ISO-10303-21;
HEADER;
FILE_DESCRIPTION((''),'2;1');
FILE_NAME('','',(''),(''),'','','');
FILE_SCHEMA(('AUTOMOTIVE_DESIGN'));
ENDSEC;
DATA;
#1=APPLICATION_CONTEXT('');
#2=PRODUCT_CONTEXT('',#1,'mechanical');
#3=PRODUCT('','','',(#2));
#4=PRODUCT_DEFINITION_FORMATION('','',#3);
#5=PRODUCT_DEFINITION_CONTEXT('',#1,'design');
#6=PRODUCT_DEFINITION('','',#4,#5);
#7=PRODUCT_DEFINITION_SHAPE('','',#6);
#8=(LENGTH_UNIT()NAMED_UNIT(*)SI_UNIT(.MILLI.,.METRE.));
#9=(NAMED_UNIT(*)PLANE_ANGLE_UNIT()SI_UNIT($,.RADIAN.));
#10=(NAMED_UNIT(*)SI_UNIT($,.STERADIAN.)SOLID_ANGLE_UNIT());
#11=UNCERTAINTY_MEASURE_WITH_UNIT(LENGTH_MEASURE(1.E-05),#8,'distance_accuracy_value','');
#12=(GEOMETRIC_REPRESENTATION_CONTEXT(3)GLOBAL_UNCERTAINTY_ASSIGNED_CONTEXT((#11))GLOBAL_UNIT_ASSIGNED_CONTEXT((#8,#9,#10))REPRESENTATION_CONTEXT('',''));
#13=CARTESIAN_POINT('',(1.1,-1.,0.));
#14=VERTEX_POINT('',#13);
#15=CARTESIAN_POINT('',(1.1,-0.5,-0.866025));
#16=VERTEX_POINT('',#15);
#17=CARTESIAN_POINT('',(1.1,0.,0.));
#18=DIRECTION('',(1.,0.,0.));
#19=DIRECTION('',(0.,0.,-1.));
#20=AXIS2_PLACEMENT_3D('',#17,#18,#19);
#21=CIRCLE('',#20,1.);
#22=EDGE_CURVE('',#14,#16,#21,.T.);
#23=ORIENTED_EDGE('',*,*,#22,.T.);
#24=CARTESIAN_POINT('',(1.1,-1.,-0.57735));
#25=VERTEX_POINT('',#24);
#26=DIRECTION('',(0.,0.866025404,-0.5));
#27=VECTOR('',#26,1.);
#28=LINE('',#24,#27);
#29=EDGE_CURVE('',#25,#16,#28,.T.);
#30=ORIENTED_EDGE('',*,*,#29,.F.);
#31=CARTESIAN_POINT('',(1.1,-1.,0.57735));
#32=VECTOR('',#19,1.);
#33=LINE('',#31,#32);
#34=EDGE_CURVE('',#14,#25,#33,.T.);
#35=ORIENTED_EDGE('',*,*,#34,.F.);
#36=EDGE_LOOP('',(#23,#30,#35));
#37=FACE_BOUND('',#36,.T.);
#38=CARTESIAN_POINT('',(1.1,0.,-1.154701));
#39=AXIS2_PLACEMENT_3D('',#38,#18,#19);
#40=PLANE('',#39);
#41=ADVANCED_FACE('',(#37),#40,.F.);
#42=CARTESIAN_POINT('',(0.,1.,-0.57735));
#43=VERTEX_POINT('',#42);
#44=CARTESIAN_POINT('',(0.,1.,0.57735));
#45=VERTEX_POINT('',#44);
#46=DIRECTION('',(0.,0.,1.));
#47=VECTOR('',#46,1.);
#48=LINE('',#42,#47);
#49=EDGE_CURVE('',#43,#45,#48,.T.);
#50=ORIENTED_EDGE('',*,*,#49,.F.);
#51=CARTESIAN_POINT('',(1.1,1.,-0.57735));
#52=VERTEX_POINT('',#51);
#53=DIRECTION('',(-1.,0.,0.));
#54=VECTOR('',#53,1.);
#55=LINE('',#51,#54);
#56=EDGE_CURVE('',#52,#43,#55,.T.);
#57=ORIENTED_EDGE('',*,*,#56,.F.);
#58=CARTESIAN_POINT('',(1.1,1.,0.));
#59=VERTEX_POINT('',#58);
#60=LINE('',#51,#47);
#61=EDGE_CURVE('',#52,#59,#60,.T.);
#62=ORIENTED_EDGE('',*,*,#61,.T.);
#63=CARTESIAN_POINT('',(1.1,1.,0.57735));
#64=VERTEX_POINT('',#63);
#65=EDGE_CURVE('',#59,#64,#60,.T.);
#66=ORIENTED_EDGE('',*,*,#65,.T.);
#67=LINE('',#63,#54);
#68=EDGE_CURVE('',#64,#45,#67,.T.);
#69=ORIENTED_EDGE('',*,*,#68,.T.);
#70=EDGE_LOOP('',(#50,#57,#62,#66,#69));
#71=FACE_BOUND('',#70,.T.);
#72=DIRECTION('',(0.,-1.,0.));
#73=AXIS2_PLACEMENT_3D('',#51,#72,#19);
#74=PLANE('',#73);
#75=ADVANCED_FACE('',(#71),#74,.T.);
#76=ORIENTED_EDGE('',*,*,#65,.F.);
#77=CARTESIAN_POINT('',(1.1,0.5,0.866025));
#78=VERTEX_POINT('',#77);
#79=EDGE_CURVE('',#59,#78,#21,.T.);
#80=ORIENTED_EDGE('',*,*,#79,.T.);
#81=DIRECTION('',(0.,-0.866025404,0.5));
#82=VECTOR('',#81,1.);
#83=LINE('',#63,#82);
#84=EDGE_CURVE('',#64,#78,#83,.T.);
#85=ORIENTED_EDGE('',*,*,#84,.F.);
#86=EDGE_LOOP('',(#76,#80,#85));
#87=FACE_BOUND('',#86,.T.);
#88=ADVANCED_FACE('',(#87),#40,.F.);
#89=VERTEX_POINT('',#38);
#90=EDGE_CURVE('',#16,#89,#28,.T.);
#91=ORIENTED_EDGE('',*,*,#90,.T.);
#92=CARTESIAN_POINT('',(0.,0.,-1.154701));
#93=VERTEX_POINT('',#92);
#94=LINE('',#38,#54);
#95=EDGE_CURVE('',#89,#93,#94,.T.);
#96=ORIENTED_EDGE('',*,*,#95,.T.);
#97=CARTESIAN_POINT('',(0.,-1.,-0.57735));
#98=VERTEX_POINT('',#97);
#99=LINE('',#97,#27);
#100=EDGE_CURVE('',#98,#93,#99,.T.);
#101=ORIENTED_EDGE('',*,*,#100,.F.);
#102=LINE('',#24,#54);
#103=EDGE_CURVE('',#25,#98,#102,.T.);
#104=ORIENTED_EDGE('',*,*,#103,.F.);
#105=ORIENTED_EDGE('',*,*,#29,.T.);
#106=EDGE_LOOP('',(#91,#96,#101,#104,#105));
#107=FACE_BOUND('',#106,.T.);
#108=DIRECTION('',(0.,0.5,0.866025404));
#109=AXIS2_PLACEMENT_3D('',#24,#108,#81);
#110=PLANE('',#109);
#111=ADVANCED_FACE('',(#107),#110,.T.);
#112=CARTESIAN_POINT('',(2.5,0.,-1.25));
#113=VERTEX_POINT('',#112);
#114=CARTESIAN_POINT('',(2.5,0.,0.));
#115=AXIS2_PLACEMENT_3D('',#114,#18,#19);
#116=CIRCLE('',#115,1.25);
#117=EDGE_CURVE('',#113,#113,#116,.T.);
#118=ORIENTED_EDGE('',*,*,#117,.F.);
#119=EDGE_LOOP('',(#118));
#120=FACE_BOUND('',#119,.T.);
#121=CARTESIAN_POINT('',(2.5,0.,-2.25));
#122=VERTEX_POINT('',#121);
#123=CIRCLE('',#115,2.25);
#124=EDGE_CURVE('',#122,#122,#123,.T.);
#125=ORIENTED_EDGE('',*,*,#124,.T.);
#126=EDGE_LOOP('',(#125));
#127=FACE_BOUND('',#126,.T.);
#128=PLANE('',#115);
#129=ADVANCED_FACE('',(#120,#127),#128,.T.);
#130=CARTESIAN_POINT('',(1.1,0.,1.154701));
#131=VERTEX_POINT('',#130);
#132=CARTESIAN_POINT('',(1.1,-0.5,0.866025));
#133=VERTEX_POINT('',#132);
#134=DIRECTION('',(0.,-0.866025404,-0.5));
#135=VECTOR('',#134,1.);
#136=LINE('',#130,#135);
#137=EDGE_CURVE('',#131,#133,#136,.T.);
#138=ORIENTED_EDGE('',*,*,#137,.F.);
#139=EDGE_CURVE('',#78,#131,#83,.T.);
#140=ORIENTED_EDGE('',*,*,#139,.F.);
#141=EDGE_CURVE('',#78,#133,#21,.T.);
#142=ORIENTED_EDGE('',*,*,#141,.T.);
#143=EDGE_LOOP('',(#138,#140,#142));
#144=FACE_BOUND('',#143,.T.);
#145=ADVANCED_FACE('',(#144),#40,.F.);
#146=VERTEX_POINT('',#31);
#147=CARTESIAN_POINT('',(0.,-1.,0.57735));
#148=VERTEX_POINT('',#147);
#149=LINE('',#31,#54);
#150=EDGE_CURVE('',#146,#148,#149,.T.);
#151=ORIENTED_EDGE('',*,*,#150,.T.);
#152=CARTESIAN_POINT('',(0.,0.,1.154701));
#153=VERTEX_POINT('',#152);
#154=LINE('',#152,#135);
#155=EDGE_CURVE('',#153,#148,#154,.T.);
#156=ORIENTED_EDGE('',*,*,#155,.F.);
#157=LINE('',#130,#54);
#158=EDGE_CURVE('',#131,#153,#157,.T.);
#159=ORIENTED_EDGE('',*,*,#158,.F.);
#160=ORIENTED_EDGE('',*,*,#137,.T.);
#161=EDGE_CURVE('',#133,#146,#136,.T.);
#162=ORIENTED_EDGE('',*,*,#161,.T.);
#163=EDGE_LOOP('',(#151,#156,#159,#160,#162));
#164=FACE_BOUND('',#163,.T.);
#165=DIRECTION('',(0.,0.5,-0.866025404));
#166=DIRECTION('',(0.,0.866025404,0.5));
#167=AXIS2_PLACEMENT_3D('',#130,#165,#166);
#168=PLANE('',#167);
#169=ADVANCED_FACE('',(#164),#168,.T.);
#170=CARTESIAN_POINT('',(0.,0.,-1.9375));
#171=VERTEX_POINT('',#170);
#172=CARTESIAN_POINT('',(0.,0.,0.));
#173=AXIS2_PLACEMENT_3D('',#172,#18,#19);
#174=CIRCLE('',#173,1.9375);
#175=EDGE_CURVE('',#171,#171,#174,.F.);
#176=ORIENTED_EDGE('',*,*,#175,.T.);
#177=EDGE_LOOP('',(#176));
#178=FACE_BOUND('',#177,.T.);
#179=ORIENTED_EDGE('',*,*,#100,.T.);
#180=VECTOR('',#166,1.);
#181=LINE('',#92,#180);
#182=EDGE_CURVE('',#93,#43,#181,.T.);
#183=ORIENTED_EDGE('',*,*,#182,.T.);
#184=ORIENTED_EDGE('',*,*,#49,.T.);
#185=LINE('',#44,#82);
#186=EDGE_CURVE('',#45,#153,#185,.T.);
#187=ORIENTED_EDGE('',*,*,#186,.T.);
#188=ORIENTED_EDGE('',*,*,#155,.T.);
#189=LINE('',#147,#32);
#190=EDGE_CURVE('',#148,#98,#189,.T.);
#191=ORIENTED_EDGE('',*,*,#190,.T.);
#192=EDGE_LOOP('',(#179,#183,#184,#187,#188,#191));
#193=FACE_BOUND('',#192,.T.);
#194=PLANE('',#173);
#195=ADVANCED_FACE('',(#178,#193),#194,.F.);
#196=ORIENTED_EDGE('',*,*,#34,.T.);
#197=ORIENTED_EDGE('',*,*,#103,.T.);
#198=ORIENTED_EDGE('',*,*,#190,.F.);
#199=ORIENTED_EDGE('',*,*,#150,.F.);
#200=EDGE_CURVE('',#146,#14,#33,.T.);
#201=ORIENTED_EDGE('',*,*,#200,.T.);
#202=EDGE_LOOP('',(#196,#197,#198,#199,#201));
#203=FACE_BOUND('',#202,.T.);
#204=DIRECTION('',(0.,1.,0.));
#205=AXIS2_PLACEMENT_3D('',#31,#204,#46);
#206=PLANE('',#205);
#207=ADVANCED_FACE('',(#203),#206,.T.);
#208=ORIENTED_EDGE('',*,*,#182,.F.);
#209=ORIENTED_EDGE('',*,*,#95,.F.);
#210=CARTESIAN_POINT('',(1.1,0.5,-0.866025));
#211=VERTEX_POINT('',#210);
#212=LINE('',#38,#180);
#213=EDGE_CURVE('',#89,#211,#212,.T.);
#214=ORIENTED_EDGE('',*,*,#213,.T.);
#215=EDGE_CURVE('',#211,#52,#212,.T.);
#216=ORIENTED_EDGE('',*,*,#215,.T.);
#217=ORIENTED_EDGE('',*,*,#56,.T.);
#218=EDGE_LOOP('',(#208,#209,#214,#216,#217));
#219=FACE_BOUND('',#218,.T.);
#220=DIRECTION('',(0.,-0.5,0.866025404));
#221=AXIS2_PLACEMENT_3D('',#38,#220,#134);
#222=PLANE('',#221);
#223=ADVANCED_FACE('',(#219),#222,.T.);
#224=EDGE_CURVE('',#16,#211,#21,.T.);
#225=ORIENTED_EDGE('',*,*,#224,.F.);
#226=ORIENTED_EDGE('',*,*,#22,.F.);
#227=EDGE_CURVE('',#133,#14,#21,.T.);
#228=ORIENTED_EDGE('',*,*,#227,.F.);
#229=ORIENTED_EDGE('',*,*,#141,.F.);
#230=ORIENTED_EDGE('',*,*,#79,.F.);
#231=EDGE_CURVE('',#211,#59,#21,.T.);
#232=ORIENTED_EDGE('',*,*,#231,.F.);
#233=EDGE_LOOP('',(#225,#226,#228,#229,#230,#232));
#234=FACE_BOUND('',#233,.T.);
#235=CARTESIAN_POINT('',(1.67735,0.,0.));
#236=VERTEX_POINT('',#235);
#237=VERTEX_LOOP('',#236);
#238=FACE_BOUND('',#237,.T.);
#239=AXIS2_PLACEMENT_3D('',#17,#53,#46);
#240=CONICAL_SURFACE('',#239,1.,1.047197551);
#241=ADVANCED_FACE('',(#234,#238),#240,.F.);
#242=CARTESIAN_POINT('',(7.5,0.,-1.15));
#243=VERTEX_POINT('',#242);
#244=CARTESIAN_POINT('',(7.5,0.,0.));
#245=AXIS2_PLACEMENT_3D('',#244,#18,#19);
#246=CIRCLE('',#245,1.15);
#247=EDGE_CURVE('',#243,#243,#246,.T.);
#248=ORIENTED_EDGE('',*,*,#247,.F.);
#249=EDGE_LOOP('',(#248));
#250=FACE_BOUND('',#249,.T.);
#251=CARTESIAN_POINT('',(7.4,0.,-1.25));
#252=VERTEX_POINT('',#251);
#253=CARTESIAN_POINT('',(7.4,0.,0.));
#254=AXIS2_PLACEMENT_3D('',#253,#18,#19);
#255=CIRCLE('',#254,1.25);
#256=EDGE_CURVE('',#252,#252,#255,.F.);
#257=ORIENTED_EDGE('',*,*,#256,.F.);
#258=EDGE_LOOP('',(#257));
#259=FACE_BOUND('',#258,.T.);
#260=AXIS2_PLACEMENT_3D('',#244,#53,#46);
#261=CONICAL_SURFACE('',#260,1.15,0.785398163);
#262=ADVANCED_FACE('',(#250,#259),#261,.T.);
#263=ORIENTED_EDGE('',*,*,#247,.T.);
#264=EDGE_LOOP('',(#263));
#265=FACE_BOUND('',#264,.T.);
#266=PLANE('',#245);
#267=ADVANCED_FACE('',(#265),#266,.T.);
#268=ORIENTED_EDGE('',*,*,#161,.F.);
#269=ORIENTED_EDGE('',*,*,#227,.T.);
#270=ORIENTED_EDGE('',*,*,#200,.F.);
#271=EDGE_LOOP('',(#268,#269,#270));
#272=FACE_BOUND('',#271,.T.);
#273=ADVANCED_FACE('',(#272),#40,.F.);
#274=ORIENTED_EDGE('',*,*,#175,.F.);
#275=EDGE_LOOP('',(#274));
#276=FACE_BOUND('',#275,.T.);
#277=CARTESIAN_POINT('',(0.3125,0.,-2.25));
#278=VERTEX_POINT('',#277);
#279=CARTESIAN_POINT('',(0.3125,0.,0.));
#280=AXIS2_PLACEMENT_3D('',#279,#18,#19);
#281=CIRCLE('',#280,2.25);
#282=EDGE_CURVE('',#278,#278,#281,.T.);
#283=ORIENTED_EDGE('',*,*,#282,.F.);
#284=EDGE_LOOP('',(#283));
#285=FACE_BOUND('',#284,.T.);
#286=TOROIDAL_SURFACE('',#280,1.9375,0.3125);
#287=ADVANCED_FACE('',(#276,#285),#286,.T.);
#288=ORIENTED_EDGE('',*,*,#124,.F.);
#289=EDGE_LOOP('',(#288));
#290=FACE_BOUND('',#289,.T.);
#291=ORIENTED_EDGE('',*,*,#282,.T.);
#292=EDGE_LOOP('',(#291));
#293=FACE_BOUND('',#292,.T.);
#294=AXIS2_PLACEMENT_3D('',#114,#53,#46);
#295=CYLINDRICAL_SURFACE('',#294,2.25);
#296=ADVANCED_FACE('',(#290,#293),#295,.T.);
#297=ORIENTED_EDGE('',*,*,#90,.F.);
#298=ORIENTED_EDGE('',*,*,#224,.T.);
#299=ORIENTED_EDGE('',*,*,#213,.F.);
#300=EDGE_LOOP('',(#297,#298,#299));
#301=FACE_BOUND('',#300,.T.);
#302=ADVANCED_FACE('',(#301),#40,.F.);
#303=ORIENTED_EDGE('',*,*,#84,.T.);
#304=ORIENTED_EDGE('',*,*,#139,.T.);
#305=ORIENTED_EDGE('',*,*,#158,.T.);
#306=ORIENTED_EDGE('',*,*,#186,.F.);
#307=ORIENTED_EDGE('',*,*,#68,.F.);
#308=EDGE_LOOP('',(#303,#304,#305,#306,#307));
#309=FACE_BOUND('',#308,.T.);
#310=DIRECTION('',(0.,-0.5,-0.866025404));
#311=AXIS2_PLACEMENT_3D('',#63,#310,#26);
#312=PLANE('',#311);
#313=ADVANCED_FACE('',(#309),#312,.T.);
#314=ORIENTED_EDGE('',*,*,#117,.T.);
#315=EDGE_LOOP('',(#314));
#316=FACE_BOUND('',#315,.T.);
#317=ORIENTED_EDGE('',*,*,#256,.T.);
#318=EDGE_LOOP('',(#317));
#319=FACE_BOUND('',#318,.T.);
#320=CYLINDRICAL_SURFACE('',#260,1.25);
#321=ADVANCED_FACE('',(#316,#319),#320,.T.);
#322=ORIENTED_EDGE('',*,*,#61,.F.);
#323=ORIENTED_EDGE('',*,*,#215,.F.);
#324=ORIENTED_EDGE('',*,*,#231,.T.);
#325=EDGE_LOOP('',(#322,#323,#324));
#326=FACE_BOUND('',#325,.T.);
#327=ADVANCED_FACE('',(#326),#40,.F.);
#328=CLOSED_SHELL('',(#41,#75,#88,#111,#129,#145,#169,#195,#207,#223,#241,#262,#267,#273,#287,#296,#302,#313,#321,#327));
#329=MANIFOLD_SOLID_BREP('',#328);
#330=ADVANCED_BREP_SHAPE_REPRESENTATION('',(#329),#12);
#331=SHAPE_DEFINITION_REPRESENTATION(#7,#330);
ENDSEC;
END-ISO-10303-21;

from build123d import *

# Parameters (mm, degrees)
SKETCH1_R           = 2.25
BASEHEAD_DEPTH      = 2.5
SKETCH2_R           = 1.25
BASEBODY_DEPTH      = 5
HEXAGONSOCKET_DEPTH = 1.1
TOPFILLET_R         = 0.3125
CHAMFER1_SIZE       = 0.1


with BuildPart() as part:
    # Sketch1 → BaseHead (new body)
    with BuildSketch(Plane(origin=(0, 0, 0), x_dir=(0, 0, -1), z_dir=(1, 0, 0))):
        Circle(SKETCH1_R)
    extrude(amount=BASEHEAD_DEPTH)

    # Sketch2 → BaseBody (add)
    with BuildSketch(Plane(origin=(2.5, 0, 0), x_dir=(0, 0, -1), z_dir=(1, 0, 0))):
        Circle(SKETCH2_R)
    extrude(amount=BASEBODY_DEPTH)

    # Sketch3 → HexagonSocket (cut)
    with BuildSketch(Plane(origin=(0, 0, 0), x_dir=(0, 0, -1), z_dir=(1, 0, 0))):
        Polygon((1.154700538, 0), (0.577350269, 1), (-0.577350269, 1), (-1.154700538, 0), (-0.577350269, -1), (0.577350269, -1), align=None)
    extrude(amount=HEXAGONSOCKET_DEPTH, mode=Mode.SUBTRACT)

    # Sketch4 → Cut-Revolve1 (revolve, cut)
    with BuildSketch(Plane(origin=(-4.19613823, 0.75, 0), x_dir=(-1, 0, 0), z_dir=(0, 0, 1)), mode=Mode.PRIVATE) as cut_revolve1_sk:
        Polygon((-5.29613823, 1.75), (-5.873488499, 0.75), (-5.29613823, 0.75), align=None)
    revolve(cut_revolve1_sk.sketch.rotate(Axis((0.838992387, 0, 0), (-1, 0, 0)), 90), axis=Axis((0.838992387, 0, 0), (-1, 0, 0)), mode=Mode.SUBTRACT)

    # TopFillet
    topfillet_edges = [part.edges().sort_by_distance(p)[0] for p in [
        (0, 0, 2.25),
    ]]
    fillet(topfillet_edges, radius=TOPFILLET_R)

    # Chamfer1
    chamfer1_edges = [part.edges().sort_by_distance(p)[0] for p in [
        (7.5, 0, 1.25),
    ]]
    chamfer(chamfer1_edges, length=CHAMFER1_SIZE)


solid = part.part
